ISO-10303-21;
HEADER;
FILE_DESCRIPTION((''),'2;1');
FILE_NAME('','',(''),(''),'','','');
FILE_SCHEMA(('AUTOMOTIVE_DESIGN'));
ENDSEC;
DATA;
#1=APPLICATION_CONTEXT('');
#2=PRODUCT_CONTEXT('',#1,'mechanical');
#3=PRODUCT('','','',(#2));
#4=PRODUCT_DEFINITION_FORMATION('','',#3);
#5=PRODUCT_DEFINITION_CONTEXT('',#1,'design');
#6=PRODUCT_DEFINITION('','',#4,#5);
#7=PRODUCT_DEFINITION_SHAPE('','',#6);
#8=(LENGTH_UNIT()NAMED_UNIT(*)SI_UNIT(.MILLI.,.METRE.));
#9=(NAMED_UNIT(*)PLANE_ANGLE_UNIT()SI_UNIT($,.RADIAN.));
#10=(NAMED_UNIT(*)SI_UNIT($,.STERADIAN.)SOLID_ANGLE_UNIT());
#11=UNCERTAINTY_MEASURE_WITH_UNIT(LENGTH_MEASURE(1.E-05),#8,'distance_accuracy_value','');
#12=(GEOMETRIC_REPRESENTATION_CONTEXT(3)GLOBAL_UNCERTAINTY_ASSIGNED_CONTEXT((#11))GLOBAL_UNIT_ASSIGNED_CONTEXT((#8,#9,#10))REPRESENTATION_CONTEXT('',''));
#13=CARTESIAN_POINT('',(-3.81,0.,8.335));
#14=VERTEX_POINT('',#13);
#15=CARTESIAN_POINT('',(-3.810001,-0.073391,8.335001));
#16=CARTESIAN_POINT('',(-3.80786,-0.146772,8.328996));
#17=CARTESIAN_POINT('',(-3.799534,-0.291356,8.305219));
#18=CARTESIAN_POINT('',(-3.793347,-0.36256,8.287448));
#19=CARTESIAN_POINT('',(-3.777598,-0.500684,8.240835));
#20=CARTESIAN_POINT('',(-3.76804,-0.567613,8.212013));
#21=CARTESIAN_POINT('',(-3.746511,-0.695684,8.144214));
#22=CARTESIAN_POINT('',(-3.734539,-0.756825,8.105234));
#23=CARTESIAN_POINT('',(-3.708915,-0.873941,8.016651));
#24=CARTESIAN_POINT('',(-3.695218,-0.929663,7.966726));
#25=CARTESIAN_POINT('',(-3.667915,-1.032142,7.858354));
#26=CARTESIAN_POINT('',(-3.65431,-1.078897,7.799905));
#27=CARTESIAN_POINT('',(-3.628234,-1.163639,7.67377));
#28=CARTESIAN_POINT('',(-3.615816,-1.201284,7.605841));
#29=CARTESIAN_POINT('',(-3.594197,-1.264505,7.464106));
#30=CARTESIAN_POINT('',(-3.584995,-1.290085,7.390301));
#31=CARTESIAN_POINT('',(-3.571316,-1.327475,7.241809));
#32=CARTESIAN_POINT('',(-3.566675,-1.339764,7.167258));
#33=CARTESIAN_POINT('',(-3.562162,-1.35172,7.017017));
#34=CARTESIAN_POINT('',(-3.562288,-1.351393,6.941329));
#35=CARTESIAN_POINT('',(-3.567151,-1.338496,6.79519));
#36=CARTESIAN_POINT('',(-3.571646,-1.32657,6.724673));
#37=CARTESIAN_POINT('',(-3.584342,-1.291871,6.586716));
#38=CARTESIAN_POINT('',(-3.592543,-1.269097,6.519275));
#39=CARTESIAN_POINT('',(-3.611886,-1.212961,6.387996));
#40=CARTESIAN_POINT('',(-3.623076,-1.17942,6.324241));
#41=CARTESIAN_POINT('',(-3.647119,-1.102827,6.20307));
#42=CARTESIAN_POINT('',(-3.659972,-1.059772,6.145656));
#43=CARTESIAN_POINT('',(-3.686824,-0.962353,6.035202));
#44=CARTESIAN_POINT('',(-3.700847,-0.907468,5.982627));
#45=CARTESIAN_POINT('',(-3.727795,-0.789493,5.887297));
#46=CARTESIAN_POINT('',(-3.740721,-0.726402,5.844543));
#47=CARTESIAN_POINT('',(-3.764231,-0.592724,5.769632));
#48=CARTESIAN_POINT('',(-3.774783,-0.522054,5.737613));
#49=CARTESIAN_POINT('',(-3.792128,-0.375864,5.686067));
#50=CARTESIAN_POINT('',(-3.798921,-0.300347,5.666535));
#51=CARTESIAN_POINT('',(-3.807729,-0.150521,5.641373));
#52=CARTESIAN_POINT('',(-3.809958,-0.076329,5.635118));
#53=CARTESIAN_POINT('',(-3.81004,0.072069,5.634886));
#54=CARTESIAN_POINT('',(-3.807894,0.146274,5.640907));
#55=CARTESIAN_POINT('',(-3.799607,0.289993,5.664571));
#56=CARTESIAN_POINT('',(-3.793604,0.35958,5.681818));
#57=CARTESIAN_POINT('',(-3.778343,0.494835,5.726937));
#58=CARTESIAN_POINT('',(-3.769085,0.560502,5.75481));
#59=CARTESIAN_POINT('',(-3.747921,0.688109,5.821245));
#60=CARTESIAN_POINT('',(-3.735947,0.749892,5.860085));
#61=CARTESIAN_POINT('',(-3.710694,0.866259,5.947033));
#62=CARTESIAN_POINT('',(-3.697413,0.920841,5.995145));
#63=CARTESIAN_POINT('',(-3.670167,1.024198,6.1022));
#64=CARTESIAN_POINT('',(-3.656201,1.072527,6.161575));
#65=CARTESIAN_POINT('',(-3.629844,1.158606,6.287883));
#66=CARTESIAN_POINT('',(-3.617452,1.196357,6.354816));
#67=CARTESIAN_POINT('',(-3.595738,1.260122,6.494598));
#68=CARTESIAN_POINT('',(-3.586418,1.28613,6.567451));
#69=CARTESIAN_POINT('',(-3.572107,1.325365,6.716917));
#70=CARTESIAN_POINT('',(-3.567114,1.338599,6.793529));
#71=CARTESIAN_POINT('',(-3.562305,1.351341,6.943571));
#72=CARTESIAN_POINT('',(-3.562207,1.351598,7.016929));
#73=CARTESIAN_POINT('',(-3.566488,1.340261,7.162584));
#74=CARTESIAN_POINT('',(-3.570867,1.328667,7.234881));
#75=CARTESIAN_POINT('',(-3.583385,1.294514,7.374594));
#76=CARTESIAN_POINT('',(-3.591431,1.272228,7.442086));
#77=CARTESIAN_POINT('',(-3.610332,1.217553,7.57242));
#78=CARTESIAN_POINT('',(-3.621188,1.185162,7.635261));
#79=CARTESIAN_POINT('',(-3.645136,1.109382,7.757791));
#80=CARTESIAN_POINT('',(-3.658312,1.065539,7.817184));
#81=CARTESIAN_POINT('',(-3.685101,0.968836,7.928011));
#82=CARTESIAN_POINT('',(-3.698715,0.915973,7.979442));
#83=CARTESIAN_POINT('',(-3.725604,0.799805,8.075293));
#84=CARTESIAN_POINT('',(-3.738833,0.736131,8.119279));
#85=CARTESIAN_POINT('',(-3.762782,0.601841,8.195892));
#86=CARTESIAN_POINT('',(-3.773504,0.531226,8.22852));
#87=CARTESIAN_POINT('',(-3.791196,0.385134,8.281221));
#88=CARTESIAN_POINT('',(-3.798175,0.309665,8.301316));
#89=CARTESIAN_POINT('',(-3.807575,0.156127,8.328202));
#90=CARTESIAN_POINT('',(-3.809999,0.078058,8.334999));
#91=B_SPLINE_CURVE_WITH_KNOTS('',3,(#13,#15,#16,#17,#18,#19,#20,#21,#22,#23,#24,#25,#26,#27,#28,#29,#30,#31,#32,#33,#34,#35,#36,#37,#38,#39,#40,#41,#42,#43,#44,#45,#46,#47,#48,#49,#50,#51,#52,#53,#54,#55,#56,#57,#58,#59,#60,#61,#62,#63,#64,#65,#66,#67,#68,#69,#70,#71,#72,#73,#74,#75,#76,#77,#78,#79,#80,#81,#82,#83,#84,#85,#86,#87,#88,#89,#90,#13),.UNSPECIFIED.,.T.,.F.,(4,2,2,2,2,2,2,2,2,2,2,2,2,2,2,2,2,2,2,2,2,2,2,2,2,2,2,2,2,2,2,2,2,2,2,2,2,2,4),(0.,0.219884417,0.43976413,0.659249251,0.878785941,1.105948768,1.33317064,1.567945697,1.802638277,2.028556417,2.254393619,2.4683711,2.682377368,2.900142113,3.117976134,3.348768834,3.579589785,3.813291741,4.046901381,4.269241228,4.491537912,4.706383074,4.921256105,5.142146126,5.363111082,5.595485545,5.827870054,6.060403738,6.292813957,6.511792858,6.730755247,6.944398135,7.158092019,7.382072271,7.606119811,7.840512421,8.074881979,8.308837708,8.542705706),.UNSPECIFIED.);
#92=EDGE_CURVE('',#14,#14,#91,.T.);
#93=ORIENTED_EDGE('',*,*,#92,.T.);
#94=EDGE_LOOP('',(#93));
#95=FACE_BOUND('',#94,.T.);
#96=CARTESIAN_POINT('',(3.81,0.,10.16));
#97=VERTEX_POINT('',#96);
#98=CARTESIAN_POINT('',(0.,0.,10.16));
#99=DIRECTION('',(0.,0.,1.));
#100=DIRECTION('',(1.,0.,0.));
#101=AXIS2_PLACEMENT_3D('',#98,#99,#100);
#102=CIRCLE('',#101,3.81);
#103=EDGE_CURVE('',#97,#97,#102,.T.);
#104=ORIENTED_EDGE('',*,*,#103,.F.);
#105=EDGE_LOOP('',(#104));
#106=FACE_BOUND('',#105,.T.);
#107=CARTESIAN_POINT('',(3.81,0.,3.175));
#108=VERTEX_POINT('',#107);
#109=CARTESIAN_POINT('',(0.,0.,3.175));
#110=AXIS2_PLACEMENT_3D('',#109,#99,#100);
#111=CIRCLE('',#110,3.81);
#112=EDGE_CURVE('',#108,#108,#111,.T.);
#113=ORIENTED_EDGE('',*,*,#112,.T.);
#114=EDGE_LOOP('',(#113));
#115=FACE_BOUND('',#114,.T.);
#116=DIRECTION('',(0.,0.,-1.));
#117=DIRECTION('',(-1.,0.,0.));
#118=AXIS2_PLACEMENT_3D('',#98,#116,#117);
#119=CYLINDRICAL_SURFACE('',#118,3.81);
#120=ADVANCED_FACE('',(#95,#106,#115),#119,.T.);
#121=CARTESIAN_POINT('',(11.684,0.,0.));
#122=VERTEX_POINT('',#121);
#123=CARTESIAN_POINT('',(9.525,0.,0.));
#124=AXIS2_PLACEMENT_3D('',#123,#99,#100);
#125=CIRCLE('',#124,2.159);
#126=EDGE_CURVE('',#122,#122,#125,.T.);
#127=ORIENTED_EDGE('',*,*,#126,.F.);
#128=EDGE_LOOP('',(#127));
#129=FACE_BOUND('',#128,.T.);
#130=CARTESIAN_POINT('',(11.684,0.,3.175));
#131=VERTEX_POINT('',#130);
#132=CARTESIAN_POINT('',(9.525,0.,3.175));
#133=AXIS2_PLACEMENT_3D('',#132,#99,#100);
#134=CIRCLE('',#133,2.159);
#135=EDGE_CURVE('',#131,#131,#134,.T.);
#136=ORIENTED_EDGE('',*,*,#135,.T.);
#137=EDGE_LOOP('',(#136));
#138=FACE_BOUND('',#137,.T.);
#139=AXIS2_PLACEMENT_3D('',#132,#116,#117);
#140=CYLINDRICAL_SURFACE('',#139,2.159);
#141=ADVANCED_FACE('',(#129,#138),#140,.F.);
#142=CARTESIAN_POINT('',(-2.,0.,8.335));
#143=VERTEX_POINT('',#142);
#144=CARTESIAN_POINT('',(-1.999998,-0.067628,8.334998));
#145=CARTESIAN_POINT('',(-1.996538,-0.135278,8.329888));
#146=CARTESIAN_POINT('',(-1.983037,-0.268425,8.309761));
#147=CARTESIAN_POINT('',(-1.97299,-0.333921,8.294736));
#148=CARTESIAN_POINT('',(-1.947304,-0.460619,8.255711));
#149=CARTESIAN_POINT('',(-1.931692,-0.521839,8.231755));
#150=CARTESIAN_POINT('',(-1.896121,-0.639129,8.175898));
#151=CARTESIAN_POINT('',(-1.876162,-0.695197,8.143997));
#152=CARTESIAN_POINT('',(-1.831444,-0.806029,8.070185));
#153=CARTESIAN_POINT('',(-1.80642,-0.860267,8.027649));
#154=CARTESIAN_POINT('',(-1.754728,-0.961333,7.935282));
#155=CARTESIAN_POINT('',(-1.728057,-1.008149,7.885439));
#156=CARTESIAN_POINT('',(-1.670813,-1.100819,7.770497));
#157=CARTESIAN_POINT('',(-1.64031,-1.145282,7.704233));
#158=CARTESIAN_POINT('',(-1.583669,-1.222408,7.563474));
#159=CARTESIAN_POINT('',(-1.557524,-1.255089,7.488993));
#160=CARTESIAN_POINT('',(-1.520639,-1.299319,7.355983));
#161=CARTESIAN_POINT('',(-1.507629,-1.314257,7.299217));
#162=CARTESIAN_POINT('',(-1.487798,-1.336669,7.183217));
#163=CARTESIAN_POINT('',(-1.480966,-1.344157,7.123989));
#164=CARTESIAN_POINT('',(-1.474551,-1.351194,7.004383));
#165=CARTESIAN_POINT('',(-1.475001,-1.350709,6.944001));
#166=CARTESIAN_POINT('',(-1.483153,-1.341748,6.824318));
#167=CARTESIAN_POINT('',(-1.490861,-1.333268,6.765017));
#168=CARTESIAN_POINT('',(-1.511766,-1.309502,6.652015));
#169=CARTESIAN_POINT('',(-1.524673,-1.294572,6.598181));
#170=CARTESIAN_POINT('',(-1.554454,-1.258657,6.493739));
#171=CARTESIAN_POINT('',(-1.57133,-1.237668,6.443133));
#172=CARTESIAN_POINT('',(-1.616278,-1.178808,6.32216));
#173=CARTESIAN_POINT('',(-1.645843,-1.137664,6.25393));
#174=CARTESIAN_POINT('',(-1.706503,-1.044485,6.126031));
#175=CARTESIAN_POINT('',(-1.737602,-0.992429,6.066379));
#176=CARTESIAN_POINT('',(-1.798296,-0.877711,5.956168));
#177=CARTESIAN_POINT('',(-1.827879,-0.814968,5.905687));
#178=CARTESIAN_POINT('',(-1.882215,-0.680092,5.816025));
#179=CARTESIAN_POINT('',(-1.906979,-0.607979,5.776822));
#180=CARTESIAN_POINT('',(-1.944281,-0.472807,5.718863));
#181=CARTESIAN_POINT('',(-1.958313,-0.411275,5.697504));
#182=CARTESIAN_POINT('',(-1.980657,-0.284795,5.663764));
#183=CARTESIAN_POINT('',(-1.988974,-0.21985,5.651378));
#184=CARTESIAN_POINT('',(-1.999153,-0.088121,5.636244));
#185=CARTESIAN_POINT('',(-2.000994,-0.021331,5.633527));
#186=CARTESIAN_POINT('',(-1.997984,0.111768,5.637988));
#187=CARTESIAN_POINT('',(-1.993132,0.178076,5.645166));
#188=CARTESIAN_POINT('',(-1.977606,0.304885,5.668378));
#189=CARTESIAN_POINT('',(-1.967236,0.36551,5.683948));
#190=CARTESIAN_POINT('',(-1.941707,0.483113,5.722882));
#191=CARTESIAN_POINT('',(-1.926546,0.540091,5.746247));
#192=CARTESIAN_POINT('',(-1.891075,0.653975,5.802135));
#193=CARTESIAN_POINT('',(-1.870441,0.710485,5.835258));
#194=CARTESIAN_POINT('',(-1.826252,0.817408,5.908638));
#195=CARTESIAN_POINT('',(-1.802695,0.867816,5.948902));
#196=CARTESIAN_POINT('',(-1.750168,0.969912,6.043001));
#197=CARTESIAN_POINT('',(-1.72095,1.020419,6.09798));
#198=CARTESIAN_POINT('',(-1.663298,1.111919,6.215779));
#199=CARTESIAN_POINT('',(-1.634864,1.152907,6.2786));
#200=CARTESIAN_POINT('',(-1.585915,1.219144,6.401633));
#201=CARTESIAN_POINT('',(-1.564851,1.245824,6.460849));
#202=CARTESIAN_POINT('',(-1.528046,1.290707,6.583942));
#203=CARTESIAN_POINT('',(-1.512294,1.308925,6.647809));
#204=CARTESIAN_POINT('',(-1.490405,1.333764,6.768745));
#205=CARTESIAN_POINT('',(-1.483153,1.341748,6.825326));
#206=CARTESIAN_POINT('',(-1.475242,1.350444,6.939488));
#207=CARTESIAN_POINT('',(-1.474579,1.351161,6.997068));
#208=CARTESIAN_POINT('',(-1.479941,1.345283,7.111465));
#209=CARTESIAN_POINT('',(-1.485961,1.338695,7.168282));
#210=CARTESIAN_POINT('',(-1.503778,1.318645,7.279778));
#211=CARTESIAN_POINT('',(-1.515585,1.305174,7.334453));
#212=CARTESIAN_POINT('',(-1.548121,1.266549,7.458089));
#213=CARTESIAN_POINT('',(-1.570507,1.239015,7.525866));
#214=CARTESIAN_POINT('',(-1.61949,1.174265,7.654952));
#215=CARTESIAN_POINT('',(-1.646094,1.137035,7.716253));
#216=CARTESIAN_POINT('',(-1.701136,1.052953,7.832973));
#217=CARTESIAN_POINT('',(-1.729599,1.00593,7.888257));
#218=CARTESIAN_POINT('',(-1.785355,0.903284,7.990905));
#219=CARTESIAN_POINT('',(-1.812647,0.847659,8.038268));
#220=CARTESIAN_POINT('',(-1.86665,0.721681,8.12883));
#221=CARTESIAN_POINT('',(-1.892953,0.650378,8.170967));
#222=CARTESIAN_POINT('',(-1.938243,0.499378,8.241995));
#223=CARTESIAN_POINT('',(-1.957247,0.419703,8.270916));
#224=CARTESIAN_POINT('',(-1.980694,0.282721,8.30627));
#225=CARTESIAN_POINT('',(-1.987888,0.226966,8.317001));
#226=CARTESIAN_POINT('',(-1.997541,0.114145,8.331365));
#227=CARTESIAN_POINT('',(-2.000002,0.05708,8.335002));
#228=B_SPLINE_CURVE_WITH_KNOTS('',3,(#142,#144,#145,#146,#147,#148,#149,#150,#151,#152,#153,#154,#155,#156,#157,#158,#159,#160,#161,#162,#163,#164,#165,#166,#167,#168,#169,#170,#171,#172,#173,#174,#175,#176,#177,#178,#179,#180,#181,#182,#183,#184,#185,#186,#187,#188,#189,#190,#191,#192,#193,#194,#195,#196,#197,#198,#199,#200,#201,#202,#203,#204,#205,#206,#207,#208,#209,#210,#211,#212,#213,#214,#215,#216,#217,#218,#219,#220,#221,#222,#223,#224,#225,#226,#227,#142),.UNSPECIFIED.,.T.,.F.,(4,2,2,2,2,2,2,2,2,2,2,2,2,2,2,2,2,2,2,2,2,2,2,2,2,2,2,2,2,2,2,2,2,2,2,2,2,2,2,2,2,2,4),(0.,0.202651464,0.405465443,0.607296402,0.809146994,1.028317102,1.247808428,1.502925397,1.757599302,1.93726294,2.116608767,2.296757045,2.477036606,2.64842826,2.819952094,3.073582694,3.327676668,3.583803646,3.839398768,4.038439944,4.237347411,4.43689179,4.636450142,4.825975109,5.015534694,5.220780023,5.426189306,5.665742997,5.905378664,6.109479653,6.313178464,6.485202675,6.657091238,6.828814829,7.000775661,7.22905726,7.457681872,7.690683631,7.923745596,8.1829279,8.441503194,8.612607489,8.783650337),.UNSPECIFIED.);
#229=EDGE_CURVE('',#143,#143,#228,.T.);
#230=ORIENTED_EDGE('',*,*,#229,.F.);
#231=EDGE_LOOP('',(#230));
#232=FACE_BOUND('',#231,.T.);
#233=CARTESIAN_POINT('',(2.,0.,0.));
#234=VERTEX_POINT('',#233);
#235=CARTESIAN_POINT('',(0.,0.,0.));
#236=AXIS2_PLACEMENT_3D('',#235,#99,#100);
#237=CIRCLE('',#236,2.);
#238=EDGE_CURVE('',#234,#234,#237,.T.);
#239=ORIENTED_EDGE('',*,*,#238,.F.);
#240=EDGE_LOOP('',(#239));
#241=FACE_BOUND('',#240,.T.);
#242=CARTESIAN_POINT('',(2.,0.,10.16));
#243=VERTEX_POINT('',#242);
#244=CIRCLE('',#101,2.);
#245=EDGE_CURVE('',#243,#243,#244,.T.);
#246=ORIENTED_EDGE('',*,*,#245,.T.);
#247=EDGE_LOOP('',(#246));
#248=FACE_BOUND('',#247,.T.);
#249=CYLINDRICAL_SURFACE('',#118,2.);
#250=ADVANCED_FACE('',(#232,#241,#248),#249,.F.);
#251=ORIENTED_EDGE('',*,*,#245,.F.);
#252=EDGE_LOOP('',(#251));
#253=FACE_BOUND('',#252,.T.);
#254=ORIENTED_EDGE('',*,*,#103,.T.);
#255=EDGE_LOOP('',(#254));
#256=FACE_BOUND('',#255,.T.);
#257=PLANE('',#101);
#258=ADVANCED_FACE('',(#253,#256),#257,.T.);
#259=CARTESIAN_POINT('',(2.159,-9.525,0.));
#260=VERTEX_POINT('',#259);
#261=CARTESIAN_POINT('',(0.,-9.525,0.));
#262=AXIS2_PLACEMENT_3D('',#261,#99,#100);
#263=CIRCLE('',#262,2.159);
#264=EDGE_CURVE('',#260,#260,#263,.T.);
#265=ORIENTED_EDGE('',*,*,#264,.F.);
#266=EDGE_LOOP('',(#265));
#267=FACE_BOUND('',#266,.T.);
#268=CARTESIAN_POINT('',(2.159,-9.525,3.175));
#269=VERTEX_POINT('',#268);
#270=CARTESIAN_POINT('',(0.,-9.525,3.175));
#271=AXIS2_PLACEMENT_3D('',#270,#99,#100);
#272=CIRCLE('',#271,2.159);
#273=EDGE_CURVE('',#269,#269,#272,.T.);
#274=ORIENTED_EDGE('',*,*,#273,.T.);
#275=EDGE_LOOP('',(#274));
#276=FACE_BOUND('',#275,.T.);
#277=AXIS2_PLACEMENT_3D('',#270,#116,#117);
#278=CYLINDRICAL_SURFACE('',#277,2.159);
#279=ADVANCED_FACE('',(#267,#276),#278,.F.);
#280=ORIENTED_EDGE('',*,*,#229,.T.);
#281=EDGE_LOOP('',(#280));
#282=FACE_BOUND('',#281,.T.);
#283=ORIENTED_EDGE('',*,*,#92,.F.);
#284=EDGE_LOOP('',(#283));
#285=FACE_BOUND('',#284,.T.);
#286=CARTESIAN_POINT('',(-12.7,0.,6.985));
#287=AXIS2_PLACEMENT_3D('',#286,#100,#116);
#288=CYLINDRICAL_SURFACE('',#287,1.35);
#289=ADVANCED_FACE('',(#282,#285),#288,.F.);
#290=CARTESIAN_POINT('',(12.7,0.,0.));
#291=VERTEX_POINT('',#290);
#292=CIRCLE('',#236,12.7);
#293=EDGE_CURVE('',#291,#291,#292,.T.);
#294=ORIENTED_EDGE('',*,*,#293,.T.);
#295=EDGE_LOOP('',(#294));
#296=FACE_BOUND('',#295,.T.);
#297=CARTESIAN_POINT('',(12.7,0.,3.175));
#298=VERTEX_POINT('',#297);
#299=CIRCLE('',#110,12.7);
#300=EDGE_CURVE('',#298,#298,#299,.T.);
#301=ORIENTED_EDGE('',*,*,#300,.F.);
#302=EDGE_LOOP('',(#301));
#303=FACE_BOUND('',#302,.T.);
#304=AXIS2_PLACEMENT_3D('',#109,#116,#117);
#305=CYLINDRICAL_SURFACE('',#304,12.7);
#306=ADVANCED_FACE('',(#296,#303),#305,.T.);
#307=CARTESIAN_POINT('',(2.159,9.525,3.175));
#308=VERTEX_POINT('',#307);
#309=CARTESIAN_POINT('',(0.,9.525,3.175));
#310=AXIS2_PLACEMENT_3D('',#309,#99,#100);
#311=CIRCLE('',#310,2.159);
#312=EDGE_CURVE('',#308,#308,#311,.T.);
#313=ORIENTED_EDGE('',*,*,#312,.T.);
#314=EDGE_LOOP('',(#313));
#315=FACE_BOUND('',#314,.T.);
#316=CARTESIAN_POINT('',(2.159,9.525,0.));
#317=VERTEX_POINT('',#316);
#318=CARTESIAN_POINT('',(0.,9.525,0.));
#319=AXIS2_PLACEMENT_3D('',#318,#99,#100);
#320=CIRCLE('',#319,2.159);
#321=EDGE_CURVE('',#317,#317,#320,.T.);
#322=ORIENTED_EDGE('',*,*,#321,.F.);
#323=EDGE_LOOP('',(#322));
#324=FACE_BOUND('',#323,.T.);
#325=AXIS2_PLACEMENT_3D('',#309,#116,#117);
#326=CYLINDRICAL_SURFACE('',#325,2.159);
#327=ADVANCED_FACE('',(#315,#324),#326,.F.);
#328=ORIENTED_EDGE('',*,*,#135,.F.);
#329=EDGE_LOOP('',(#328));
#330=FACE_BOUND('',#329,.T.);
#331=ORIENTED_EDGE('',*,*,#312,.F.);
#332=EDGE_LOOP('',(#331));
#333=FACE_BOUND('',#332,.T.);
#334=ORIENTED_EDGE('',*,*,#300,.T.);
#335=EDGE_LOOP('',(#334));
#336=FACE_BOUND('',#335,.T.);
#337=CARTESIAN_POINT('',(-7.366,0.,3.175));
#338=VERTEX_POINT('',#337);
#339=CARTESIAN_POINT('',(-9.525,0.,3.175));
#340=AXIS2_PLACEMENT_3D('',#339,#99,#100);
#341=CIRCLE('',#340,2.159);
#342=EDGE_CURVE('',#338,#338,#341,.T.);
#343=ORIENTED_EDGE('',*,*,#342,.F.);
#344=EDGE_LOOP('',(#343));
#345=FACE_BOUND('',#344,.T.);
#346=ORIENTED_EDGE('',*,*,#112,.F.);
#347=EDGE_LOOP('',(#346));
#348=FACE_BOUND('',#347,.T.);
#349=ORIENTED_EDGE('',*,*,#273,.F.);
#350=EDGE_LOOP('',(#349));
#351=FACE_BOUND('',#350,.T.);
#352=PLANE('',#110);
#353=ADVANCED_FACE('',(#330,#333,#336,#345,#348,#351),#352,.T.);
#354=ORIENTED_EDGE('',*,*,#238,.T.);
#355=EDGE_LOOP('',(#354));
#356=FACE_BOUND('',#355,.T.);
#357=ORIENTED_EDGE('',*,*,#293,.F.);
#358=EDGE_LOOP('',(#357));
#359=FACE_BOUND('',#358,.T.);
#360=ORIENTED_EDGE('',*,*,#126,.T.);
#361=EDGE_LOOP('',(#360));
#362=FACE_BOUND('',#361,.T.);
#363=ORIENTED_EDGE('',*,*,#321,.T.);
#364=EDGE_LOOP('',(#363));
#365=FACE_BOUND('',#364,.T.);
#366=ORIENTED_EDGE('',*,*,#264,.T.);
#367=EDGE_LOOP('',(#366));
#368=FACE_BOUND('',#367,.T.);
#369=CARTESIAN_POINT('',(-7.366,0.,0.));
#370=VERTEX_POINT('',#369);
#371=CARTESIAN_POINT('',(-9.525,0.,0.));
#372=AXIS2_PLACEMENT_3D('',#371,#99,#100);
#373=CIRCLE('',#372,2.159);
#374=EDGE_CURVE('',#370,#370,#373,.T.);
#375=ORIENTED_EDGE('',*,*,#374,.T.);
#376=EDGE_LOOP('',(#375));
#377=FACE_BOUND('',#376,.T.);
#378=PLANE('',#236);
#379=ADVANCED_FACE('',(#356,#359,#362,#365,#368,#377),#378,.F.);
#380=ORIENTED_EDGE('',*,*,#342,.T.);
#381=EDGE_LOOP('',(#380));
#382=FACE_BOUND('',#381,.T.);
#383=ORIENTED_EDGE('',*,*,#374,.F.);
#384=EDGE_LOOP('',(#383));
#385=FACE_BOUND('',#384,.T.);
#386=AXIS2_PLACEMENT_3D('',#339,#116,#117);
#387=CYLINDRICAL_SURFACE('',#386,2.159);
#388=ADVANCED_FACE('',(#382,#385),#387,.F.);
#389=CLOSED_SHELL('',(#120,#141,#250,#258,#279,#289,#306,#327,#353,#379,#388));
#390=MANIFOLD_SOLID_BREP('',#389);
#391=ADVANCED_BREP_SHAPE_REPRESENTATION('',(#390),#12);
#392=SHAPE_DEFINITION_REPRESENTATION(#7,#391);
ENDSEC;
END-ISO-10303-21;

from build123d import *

# Parameters (mm, degrees)
SKETCH2_R           = 12.7
SKETCH2_R_2         = 3.81
SKETCH2_R_3         = 2.159
BOSS_EXTRUDE1_DEPTH = 3.175
SKETCH2_3_R         = 3.81
SKETCH2_3_R_2       = 2
BOSS_EXTRUDE2_DEPTH = 10.16
SKETCH4_R           = 1.35
CUT_EXTRUDE1_DEPTH  = 12.7


with BuildPart() as part:
    # Sketch2 → Boss-Extrude1 (new body)
    with BuildSketch(Plane.XY):
        Circle(SKETCH2_R)
        Circle(SKETCH2_R_2, mode=Mode.SUBTRACT)
        with Locations((0, 9.525)):
            Circle(SKETCH2_R_3, mode=Mode.SUBTRACT)
        with Locations((9.525, 0)):
            Circle(SKETCH2_R_3, mode=Mode.SUBTRACT)
        with Locations((0, -9.525)):
            Circle(SKETCH2_R_3, mode=Mode.SUBTRACT)
        with Locations((-9.525, 0)):
            Circle(SKETCH2_R_3, mode=Mode.SUBTRACT)
    extrude(amount=BOSS_EXTRUDE1_DEPTH)

    # Sketch2<3> → Boss-Extrude2 (add)
    with BuildSketch(Plane.XY):
        Circle(SKETCH2_3_R)
        Circle(SKETCH2_3_R_2, mode=Mode.SUBTRACT)
    extrude(amount=BOSS_EXTRUDE2_DEPTH)

    # Sketch4 → Cut-Extrude1 (cut)
    with BuildSketch(Plane(origin=(0, 0, 0), x_dir=(0, 0, -1), z_dir=(1, 0, 0))):
        with Locations((-6.985, 0)):
            Circle(SKETCH4_R)
    extrude(amount=-CUT_EXTRUDE1_DEPTH, mode=Mode.SUBTRACT)


solid = part.part
